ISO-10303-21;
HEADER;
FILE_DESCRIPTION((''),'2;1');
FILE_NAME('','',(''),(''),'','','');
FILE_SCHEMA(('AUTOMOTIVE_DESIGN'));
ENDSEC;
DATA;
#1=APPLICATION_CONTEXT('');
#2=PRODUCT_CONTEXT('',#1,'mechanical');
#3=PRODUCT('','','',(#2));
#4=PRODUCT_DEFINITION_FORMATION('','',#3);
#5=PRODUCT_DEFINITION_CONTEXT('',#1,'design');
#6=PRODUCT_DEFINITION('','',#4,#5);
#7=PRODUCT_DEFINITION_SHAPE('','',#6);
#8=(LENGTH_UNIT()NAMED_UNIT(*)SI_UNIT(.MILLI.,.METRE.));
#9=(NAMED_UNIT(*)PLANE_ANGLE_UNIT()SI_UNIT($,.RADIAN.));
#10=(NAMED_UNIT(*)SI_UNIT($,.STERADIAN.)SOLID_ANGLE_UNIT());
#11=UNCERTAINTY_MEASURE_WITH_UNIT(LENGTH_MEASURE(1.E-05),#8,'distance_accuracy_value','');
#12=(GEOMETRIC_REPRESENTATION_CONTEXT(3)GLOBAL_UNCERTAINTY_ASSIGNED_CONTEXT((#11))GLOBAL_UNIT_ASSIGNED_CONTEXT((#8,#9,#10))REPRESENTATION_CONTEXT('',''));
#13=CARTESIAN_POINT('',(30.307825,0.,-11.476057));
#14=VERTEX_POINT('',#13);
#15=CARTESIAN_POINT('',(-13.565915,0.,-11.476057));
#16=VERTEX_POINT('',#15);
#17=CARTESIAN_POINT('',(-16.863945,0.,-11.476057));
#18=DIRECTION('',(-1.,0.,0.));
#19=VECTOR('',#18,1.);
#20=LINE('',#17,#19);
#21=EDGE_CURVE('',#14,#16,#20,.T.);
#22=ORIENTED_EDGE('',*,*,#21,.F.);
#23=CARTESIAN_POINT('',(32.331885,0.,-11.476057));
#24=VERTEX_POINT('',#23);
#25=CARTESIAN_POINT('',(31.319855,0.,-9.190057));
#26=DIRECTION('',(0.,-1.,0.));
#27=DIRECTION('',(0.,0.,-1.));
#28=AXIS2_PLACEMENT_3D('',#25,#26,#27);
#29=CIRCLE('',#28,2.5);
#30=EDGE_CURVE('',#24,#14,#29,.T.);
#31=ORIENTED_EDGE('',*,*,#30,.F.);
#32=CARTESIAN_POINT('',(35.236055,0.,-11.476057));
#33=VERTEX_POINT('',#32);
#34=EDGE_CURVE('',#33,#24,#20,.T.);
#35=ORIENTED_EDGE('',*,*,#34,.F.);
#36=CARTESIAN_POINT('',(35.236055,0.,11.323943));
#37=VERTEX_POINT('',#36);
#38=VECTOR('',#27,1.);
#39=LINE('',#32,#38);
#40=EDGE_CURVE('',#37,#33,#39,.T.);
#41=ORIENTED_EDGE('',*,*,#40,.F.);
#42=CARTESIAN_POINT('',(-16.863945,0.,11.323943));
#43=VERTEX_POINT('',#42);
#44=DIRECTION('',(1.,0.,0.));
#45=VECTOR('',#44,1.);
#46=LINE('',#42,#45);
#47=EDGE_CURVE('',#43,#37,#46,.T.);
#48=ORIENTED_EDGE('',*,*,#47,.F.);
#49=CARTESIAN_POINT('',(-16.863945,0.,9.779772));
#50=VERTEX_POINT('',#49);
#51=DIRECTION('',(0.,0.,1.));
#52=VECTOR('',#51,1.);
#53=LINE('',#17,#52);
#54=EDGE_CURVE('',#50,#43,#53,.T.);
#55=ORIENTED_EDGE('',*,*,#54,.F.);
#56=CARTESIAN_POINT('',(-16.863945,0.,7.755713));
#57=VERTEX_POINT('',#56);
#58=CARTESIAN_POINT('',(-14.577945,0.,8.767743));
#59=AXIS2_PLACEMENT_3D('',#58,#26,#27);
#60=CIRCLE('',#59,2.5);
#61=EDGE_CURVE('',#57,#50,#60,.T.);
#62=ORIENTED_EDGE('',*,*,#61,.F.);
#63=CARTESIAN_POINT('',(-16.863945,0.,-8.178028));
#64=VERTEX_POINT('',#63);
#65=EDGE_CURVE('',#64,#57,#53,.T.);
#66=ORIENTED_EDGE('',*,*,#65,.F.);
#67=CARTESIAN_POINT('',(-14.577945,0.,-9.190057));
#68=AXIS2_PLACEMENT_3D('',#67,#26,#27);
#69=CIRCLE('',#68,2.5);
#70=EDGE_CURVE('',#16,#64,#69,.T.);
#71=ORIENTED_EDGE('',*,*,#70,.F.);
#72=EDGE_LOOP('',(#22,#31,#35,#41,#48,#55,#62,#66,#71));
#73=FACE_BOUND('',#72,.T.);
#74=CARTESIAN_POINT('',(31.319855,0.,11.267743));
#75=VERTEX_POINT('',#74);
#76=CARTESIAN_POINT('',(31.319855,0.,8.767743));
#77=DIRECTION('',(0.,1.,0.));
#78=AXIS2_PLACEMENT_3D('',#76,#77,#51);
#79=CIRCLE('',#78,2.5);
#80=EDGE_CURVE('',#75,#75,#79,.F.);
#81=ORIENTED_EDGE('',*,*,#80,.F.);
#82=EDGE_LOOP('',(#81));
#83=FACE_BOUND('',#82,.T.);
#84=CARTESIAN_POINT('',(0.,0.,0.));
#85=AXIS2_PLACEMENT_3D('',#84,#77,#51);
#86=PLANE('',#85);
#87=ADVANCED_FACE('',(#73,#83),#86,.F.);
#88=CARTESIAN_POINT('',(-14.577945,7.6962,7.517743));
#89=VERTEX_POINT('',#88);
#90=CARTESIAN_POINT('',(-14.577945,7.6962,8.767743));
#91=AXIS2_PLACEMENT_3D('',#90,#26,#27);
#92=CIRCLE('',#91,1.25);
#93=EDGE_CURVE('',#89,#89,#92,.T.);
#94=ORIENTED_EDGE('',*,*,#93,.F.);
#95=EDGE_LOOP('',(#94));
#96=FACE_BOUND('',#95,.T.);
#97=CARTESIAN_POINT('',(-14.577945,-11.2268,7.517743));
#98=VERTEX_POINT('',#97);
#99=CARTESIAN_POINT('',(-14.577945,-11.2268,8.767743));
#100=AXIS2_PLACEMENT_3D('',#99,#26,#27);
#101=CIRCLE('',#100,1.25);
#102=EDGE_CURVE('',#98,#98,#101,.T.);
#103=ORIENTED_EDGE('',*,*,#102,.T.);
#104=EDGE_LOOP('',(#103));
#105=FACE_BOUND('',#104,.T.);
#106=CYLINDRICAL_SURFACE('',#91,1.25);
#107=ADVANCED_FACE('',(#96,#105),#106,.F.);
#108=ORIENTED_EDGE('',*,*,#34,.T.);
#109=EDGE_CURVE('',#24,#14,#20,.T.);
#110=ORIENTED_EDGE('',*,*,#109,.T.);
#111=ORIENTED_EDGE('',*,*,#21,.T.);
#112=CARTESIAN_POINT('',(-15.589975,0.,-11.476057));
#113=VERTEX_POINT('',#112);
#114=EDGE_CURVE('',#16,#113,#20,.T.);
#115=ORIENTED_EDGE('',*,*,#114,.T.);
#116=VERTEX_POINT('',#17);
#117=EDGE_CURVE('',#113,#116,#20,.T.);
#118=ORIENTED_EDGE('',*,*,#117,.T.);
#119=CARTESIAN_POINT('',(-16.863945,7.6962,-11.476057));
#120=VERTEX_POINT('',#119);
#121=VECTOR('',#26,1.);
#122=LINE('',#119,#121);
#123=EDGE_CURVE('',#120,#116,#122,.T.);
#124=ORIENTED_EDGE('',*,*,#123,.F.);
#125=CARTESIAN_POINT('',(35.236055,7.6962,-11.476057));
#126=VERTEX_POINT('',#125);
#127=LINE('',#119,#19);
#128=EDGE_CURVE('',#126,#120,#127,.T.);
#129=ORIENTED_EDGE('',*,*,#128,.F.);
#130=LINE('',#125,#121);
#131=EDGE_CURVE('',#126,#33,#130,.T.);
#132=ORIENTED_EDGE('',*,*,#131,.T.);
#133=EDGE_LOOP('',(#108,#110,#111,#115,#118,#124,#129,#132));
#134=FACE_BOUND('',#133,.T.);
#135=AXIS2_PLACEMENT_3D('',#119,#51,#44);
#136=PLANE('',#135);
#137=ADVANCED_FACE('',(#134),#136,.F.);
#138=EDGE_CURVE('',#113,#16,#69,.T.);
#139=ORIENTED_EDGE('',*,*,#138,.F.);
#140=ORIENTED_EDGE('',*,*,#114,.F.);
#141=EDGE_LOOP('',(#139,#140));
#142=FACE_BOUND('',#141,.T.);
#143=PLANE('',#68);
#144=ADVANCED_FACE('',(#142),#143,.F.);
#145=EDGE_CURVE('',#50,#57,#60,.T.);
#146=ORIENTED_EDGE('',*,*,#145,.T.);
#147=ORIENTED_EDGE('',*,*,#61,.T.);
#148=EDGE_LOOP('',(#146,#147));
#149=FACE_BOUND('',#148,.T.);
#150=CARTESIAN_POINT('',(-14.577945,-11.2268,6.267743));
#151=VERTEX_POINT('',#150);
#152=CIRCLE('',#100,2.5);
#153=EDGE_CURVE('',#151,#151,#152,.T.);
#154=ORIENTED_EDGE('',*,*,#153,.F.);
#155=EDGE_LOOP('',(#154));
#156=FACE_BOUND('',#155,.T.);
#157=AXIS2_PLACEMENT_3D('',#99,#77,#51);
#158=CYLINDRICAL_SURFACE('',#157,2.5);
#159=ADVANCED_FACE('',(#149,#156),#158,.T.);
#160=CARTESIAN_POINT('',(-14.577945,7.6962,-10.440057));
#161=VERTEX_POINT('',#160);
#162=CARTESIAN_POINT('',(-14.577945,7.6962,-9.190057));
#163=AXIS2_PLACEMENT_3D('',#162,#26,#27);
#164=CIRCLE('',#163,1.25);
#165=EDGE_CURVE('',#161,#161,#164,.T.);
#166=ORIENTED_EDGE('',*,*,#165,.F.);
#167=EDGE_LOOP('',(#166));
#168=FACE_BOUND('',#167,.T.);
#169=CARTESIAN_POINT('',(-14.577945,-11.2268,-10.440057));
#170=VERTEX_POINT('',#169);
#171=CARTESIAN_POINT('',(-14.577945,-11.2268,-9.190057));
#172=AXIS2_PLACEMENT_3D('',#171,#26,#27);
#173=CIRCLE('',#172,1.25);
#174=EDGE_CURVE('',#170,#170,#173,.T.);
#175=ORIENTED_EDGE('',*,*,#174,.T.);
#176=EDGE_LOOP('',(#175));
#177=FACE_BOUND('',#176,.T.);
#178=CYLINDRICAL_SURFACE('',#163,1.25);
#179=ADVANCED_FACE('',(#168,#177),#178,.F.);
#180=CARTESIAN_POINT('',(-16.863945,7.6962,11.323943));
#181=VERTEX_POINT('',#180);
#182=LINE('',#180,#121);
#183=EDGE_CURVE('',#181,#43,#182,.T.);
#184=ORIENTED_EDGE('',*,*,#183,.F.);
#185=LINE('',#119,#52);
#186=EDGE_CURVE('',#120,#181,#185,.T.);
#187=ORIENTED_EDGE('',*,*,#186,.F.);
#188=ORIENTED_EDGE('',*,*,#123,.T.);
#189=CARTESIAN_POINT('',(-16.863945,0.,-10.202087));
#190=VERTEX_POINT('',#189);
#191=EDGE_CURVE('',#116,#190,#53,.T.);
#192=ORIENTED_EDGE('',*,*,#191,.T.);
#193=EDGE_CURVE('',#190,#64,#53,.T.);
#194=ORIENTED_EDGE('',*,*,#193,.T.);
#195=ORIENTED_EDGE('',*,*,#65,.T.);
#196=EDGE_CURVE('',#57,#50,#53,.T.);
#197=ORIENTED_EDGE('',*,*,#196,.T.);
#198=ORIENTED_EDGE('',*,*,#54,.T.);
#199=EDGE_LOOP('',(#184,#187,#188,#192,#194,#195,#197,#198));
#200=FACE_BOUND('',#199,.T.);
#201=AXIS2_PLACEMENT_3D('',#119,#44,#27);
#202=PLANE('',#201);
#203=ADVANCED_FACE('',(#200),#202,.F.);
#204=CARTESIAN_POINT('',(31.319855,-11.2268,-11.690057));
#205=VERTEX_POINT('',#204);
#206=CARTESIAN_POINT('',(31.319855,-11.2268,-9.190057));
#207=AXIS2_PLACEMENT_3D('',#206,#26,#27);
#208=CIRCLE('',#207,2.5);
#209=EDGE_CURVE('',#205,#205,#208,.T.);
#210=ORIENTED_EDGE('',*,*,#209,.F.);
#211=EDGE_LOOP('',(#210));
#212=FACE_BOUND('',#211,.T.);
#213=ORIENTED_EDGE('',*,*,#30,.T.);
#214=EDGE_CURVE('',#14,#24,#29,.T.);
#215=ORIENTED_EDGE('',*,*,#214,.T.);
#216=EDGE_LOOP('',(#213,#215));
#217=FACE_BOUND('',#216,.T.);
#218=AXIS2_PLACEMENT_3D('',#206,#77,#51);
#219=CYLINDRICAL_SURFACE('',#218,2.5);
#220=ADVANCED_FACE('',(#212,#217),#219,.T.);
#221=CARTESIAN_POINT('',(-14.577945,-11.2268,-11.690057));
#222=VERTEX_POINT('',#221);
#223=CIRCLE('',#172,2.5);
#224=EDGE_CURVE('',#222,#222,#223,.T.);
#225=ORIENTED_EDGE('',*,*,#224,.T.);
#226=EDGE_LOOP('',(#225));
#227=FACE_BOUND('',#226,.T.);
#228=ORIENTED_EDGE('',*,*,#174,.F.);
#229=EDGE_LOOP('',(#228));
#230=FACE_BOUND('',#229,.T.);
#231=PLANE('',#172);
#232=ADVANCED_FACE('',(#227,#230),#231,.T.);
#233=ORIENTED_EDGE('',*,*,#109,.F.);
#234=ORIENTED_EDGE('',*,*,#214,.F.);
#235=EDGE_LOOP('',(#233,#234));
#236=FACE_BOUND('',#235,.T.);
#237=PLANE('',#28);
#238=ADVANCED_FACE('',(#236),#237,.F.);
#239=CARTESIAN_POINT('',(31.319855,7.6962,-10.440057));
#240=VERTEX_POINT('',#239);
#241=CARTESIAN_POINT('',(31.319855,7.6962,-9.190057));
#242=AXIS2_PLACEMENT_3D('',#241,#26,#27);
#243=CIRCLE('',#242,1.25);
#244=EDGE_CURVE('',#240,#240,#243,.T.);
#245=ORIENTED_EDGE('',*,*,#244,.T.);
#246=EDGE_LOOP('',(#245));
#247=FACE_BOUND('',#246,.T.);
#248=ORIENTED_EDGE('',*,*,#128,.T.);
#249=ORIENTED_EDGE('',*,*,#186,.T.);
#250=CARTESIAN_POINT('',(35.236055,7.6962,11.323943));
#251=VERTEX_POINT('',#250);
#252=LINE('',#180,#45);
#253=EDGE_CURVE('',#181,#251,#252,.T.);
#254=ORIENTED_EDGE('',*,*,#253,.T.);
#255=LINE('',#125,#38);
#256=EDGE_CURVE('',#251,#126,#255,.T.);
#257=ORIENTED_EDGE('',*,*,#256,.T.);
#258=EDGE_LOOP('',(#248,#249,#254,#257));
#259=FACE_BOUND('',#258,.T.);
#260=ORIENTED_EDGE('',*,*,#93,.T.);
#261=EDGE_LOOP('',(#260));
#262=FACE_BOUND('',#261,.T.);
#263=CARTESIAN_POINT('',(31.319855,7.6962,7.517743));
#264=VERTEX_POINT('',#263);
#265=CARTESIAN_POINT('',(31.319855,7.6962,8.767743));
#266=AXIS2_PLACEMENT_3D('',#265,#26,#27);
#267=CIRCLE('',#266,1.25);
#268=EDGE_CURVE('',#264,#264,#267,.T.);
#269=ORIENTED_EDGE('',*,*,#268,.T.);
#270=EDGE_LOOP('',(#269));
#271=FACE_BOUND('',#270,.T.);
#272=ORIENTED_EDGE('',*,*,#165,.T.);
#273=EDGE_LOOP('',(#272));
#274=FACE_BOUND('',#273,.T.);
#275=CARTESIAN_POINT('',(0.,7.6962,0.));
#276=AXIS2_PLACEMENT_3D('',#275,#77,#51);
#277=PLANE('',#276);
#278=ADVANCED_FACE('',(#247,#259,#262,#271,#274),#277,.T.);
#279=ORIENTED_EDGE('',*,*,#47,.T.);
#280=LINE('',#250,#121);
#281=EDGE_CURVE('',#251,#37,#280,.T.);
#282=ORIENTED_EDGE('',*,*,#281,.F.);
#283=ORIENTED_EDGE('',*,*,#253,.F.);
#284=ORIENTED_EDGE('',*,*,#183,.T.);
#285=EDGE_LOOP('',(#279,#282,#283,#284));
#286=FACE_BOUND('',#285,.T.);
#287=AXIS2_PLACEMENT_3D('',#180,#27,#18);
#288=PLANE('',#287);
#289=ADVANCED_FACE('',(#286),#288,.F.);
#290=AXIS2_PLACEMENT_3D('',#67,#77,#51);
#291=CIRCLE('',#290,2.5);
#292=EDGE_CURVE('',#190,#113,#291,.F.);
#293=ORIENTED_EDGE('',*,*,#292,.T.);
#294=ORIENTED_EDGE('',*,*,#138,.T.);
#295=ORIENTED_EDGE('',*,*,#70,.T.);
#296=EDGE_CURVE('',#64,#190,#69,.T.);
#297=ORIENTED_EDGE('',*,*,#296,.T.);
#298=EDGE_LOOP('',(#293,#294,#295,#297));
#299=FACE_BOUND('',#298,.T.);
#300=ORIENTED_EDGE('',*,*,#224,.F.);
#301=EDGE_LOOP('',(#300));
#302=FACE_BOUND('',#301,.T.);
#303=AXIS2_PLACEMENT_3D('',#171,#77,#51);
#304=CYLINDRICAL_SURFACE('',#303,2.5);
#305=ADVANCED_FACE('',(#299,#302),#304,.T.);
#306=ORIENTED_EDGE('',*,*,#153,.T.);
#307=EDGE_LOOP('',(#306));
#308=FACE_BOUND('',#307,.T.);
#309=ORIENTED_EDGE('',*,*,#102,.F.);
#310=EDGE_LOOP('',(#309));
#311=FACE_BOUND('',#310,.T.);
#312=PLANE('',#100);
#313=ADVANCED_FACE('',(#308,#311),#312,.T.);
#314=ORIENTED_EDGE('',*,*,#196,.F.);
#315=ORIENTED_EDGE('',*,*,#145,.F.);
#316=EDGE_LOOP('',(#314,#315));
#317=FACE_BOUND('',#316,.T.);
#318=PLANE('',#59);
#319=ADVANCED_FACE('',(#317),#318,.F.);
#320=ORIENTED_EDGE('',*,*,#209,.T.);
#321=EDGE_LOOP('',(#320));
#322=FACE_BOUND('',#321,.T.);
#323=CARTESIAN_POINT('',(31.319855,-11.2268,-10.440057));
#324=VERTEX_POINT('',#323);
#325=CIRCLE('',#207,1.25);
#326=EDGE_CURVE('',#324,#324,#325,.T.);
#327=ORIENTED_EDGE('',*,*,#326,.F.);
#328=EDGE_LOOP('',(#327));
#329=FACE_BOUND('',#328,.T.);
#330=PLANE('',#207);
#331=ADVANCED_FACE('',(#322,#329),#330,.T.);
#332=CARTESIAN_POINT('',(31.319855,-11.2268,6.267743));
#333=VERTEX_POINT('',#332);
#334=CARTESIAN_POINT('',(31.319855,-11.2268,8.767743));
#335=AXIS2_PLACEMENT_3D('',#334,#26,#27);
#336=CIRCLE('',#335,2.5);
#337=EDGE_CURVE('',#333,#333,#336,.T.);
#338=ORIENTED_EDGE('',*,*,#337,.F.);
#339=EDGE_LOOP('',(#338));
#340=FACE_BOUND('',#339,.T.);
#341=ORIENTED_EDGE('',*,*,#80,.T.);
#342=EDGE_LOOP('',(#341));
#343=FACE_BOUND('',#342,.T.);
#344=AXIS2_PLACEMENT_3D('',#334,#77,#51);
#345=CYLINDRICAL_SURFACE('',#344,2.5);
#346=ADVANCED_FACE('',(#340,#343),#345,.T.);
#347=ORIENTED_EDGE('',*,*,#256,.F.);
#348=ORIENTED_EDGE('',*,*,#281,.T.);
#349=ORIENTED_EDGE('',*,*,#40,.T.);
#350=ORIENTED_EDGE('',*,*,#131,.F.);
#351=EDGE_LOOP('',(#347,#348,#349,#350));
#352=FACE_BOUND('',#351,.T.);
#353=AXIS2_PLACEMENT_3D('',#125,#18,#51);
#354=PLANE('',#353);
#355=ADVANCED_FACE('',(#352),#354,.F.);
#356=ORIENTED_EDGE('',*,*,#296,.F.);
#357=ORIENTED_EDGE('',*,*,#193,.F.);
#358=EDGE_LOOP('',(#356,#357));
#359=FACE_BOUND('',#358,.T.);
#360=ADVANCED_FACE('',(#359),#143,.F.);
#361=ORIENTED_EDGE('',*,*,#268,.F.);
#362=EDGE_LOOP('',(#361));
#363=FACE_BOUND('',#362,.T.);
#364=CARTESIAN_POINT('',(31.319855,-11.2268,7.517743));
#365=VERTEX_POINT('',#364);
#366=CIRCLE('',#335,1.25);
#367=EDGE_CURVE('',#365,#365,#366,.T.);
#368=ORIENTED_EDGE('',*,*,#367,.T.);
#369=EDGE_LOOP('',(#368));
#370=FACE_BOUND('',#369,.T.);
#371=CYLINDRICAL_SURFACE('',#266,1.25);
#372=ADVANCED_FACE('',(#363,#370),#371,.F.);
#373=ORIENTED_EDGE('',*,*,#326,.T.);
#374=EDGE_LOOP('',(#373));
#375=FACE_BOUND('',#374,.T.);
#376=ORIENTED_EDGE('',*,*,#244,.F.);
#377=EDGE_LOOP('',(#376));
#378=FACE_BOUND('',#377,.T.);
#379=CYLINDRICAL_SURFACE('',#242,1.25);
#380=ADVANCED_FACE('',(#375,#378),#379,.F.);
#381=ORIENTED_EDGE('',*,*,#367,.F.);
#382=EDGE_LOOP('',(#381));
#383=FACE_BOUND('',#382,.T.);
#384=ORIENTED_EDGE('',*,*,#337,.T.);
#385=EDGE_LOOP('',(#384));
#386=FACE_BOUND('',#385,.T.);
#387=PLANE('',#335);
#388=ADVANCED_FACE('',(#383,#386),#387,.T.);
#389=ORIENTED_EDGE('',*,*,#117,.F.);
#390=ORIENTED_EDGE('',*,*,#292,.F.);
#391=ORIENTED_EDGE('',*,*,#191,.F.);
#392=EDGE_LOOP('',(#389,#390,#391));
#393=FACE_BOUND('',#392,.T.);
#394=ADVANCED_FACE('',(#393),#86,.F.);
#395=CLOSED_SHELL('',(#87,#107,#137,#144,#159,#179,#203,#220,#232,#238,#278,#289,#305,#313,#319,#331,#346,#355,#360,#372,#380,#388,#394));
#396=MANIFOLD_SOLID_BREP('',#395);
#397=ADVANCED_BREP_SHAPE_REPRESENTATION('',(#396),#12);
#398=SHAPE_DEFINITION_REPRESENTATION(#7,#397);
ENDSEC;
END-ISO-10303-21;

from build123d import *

# Parameters (mm, degrees)
SKETCH1_W           = 52.1
SKETCH1_H           = 22.8
BOSS_EXTRUDE1_DEPTH = 7.6962
SKETCH2_R           = 2.5
BOSS_EXTRUDE2_DEPTH = 11.2268
SKETCH3_R           = 1.25
CUT_EXTRUDE1_DEPTH  = 19.923


with BuildPart() as part:
    # Sketch1 → Boss-Extrude1 (new body)
    with BuildSketch(Plane(origin=(0, 0, 0), x_dir=(1, 0, 0), z_dir=(0, 1, 0))):
        with Locations((9.186055138, 0.076057393)):
            Rectangle(SKETCH1_W, SKETCH1_H)
    extrude(amount=BOSS_EXTRUDE1_DEPTH)

    # Sketch2 → Boss-Extrude2 (add)
    with BuildSketch(Plane.XZ):
        with Locations((-14.577944862, 8.767742607)):
            Circle(SKETCH2_R)
        with Locations((31.319855138, 8.767742607)):
            Circle(SKETCH2_R)
        with Locations((31.319855138, -9.190057393)):
            Circle(SKETCH2_R)
        with Locations((-14.577944862, -9.190057393)):
            Circle(SKETCH2_R)
    extrude(amount=BOSS_EXTRUDE2_DEPTH)

    # Sketch3 → Cut-Extrude1 (cut, through all)
    with BuildSketch(Plane.XZ.offset(11.2268)):
        with Locations((-14.577944862, 8.767742607)):
            Circle(SKETCH3_R)
        with Locations((-14.577944862, -9.190057393)):
            Circle(SKETCH3_R)
        with Locations((31.319855138, -9.190057393)):
            Circle(SKETCH3_R)
        with Locations((31.319855138, 8.767742607)):
            Circle(SKETCH3_R)
    extrude(amount=-CUT_EXTRUDE1_DEPTH, mode=Mode.SUBTRACT)


solid = part.part
